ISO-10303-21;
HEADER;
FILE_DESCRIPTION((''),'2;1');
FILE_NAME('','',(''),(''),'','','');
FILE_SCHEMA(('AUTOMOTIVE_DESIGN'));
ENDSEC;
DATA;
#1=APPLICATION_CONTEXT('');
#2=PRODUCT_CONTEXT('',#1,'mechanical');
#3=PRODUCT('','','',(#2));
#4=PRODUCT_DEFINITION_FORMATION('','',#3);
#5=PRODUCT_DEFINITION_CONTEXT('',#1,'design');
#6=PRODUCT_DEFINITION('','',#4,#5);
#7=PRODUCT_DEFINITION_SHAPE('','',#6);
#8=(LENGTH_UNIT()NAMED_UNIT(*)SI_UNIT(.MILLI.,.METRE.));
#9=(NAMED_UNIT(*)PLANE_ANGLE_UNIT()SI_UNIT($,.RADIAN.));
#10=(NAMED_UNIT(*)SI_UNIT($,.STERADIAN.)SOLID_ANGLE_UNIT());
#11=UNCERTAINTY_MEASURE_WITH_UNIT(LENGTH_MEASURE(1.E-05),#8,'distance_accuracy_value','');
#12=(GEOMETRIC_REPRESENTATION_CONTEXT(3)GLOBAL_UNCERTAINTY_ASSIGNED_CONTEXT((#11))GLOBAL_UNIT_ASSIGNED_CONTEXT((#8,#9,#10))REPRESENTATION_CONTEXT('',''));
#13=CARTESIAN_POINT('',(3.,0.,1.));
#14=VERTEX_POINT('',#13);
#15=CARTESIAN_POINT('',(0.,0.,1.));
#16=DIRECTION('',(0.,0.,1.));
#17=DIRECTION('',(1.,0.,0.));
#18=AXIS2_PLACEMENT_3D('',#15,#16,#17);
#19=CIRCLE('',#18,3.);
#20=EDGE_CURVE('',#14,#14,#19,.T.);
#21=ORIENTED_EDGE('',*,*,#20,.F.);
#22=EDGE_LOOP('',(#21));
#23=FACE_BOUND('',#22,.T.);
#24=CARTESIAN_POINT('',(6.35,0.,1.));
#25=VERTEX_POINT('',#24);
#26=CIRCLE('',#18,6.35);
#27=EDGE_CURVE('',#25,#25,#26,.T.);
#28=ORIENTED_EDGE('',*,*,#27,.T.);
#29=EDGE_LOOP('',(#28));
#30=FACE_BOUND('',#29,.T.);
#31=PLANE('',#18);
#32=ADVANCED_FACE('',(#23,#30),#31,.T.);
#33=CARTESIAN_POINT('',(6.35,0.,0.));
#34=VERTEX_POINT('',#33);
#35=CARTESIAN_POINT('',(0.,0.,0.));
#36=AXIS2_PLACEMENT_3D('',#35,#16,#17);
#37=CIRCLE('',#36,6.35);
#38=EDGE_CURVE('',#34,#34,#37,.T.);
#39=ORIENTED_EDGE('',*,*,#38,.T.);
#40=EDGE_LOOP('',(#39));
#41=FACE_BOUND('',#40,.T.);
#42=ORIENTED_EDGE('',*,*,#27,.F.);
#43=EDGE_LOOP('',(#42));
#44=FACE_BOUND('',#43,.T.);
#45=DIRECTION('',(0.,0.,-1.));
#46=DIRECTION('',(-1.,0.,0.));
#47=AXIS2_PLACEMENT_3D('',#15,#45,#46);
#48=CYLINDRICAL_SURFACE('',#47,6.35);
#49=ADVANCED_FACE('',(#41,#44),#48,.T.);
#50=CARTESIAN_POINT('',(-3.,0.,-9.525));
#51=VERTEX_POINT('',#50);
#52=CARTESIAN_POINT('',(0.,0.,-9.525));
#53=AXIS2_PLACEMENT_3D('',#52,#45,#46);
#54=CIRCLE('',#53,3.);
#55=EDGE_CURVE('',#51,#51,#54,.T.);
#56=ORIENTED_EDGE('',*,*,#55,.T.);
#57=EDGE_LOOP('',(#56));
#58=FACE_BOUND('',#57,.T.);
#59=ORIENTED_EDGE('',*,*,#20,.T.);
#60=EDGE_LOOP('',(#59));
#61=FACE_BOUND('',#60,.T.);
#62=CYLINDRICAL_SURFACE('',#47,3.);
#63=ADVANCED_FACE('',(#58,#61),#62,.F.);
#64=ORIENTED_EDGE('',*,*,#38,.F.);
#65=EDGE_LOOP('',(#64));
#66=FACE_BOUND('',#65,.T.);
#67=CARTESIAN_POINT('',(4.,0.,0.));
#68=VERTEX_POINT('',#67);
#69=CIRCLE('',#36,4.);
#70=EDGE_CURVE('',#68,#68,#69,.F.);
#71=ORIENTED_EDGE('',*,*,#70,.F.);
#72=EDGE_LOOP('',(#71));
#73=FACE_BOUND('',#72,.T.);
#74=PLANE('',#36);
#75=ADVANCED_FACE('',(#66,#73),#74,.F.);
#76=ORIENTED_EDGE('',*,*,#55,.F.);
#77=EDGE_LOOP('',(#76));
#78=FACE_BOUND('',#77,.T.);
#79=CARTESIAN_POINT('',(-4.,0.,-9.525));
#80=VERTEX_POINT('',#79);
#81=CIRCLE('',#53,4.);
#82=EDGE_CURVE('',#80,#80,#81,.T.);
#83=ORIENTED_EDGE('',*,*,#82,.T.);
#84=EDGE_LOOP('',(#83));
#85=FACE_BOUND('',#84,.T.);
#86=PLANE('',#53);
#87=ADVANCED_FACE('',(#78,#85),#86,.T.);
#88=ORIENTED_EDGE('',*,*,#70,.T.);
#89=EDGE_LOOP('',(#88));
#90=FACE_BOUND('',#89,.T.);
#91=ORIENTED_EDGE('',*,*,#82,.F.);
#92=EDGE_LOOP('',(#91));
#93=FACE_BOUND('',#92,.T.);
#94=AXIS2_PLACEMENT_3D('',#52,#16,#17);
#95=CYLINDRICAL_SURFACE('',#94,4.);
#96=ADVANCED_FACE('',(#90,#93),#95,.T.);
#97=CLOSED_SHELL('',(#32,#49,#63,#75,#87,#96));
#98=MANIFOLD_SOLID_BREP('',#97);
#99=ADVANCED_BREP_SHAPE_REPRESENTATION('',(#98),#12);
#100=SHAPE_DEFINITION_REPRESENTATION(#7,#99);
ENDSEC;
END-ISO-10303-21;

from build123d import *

# Parameters (mm, degrees)
SKETCH1_R           = 6.35
SKETCH1_R_2         = 3
BOSS_EXTRUDE1_DEPTH = 1
SKETCH2_R           = 4
SKETCH2_R_2         = 3
BOSS_EXTRUDE2_DEPTH = 9.525


with BuildPart() as part:
    # Sketch1 → Boss-Extrude1 (new body)
    with BuildSketch(Plane.XY):
        Circle(SKETCH1_R)
        Circle(SKETCH1_R_2, mode=Mode.SUBTRACT)
    extrude(amount=BOSS_EXTRUDE1_DEPTH)

    # Sketch2 → Boss-Extrude2 (add)
    with BuildSketch(Plane(origin=(0, 0, 0), x_dir=(-1, 0, 0), z_dir=(0, 0, -1))):
        Circle(SKETCH2_R)
        Circle(SKETCH2_R_2, mode=Mode.SUBTRACT)
    extrude(amount=BOSS_EXTRUDE2_DEPTH)


solid = part.part
